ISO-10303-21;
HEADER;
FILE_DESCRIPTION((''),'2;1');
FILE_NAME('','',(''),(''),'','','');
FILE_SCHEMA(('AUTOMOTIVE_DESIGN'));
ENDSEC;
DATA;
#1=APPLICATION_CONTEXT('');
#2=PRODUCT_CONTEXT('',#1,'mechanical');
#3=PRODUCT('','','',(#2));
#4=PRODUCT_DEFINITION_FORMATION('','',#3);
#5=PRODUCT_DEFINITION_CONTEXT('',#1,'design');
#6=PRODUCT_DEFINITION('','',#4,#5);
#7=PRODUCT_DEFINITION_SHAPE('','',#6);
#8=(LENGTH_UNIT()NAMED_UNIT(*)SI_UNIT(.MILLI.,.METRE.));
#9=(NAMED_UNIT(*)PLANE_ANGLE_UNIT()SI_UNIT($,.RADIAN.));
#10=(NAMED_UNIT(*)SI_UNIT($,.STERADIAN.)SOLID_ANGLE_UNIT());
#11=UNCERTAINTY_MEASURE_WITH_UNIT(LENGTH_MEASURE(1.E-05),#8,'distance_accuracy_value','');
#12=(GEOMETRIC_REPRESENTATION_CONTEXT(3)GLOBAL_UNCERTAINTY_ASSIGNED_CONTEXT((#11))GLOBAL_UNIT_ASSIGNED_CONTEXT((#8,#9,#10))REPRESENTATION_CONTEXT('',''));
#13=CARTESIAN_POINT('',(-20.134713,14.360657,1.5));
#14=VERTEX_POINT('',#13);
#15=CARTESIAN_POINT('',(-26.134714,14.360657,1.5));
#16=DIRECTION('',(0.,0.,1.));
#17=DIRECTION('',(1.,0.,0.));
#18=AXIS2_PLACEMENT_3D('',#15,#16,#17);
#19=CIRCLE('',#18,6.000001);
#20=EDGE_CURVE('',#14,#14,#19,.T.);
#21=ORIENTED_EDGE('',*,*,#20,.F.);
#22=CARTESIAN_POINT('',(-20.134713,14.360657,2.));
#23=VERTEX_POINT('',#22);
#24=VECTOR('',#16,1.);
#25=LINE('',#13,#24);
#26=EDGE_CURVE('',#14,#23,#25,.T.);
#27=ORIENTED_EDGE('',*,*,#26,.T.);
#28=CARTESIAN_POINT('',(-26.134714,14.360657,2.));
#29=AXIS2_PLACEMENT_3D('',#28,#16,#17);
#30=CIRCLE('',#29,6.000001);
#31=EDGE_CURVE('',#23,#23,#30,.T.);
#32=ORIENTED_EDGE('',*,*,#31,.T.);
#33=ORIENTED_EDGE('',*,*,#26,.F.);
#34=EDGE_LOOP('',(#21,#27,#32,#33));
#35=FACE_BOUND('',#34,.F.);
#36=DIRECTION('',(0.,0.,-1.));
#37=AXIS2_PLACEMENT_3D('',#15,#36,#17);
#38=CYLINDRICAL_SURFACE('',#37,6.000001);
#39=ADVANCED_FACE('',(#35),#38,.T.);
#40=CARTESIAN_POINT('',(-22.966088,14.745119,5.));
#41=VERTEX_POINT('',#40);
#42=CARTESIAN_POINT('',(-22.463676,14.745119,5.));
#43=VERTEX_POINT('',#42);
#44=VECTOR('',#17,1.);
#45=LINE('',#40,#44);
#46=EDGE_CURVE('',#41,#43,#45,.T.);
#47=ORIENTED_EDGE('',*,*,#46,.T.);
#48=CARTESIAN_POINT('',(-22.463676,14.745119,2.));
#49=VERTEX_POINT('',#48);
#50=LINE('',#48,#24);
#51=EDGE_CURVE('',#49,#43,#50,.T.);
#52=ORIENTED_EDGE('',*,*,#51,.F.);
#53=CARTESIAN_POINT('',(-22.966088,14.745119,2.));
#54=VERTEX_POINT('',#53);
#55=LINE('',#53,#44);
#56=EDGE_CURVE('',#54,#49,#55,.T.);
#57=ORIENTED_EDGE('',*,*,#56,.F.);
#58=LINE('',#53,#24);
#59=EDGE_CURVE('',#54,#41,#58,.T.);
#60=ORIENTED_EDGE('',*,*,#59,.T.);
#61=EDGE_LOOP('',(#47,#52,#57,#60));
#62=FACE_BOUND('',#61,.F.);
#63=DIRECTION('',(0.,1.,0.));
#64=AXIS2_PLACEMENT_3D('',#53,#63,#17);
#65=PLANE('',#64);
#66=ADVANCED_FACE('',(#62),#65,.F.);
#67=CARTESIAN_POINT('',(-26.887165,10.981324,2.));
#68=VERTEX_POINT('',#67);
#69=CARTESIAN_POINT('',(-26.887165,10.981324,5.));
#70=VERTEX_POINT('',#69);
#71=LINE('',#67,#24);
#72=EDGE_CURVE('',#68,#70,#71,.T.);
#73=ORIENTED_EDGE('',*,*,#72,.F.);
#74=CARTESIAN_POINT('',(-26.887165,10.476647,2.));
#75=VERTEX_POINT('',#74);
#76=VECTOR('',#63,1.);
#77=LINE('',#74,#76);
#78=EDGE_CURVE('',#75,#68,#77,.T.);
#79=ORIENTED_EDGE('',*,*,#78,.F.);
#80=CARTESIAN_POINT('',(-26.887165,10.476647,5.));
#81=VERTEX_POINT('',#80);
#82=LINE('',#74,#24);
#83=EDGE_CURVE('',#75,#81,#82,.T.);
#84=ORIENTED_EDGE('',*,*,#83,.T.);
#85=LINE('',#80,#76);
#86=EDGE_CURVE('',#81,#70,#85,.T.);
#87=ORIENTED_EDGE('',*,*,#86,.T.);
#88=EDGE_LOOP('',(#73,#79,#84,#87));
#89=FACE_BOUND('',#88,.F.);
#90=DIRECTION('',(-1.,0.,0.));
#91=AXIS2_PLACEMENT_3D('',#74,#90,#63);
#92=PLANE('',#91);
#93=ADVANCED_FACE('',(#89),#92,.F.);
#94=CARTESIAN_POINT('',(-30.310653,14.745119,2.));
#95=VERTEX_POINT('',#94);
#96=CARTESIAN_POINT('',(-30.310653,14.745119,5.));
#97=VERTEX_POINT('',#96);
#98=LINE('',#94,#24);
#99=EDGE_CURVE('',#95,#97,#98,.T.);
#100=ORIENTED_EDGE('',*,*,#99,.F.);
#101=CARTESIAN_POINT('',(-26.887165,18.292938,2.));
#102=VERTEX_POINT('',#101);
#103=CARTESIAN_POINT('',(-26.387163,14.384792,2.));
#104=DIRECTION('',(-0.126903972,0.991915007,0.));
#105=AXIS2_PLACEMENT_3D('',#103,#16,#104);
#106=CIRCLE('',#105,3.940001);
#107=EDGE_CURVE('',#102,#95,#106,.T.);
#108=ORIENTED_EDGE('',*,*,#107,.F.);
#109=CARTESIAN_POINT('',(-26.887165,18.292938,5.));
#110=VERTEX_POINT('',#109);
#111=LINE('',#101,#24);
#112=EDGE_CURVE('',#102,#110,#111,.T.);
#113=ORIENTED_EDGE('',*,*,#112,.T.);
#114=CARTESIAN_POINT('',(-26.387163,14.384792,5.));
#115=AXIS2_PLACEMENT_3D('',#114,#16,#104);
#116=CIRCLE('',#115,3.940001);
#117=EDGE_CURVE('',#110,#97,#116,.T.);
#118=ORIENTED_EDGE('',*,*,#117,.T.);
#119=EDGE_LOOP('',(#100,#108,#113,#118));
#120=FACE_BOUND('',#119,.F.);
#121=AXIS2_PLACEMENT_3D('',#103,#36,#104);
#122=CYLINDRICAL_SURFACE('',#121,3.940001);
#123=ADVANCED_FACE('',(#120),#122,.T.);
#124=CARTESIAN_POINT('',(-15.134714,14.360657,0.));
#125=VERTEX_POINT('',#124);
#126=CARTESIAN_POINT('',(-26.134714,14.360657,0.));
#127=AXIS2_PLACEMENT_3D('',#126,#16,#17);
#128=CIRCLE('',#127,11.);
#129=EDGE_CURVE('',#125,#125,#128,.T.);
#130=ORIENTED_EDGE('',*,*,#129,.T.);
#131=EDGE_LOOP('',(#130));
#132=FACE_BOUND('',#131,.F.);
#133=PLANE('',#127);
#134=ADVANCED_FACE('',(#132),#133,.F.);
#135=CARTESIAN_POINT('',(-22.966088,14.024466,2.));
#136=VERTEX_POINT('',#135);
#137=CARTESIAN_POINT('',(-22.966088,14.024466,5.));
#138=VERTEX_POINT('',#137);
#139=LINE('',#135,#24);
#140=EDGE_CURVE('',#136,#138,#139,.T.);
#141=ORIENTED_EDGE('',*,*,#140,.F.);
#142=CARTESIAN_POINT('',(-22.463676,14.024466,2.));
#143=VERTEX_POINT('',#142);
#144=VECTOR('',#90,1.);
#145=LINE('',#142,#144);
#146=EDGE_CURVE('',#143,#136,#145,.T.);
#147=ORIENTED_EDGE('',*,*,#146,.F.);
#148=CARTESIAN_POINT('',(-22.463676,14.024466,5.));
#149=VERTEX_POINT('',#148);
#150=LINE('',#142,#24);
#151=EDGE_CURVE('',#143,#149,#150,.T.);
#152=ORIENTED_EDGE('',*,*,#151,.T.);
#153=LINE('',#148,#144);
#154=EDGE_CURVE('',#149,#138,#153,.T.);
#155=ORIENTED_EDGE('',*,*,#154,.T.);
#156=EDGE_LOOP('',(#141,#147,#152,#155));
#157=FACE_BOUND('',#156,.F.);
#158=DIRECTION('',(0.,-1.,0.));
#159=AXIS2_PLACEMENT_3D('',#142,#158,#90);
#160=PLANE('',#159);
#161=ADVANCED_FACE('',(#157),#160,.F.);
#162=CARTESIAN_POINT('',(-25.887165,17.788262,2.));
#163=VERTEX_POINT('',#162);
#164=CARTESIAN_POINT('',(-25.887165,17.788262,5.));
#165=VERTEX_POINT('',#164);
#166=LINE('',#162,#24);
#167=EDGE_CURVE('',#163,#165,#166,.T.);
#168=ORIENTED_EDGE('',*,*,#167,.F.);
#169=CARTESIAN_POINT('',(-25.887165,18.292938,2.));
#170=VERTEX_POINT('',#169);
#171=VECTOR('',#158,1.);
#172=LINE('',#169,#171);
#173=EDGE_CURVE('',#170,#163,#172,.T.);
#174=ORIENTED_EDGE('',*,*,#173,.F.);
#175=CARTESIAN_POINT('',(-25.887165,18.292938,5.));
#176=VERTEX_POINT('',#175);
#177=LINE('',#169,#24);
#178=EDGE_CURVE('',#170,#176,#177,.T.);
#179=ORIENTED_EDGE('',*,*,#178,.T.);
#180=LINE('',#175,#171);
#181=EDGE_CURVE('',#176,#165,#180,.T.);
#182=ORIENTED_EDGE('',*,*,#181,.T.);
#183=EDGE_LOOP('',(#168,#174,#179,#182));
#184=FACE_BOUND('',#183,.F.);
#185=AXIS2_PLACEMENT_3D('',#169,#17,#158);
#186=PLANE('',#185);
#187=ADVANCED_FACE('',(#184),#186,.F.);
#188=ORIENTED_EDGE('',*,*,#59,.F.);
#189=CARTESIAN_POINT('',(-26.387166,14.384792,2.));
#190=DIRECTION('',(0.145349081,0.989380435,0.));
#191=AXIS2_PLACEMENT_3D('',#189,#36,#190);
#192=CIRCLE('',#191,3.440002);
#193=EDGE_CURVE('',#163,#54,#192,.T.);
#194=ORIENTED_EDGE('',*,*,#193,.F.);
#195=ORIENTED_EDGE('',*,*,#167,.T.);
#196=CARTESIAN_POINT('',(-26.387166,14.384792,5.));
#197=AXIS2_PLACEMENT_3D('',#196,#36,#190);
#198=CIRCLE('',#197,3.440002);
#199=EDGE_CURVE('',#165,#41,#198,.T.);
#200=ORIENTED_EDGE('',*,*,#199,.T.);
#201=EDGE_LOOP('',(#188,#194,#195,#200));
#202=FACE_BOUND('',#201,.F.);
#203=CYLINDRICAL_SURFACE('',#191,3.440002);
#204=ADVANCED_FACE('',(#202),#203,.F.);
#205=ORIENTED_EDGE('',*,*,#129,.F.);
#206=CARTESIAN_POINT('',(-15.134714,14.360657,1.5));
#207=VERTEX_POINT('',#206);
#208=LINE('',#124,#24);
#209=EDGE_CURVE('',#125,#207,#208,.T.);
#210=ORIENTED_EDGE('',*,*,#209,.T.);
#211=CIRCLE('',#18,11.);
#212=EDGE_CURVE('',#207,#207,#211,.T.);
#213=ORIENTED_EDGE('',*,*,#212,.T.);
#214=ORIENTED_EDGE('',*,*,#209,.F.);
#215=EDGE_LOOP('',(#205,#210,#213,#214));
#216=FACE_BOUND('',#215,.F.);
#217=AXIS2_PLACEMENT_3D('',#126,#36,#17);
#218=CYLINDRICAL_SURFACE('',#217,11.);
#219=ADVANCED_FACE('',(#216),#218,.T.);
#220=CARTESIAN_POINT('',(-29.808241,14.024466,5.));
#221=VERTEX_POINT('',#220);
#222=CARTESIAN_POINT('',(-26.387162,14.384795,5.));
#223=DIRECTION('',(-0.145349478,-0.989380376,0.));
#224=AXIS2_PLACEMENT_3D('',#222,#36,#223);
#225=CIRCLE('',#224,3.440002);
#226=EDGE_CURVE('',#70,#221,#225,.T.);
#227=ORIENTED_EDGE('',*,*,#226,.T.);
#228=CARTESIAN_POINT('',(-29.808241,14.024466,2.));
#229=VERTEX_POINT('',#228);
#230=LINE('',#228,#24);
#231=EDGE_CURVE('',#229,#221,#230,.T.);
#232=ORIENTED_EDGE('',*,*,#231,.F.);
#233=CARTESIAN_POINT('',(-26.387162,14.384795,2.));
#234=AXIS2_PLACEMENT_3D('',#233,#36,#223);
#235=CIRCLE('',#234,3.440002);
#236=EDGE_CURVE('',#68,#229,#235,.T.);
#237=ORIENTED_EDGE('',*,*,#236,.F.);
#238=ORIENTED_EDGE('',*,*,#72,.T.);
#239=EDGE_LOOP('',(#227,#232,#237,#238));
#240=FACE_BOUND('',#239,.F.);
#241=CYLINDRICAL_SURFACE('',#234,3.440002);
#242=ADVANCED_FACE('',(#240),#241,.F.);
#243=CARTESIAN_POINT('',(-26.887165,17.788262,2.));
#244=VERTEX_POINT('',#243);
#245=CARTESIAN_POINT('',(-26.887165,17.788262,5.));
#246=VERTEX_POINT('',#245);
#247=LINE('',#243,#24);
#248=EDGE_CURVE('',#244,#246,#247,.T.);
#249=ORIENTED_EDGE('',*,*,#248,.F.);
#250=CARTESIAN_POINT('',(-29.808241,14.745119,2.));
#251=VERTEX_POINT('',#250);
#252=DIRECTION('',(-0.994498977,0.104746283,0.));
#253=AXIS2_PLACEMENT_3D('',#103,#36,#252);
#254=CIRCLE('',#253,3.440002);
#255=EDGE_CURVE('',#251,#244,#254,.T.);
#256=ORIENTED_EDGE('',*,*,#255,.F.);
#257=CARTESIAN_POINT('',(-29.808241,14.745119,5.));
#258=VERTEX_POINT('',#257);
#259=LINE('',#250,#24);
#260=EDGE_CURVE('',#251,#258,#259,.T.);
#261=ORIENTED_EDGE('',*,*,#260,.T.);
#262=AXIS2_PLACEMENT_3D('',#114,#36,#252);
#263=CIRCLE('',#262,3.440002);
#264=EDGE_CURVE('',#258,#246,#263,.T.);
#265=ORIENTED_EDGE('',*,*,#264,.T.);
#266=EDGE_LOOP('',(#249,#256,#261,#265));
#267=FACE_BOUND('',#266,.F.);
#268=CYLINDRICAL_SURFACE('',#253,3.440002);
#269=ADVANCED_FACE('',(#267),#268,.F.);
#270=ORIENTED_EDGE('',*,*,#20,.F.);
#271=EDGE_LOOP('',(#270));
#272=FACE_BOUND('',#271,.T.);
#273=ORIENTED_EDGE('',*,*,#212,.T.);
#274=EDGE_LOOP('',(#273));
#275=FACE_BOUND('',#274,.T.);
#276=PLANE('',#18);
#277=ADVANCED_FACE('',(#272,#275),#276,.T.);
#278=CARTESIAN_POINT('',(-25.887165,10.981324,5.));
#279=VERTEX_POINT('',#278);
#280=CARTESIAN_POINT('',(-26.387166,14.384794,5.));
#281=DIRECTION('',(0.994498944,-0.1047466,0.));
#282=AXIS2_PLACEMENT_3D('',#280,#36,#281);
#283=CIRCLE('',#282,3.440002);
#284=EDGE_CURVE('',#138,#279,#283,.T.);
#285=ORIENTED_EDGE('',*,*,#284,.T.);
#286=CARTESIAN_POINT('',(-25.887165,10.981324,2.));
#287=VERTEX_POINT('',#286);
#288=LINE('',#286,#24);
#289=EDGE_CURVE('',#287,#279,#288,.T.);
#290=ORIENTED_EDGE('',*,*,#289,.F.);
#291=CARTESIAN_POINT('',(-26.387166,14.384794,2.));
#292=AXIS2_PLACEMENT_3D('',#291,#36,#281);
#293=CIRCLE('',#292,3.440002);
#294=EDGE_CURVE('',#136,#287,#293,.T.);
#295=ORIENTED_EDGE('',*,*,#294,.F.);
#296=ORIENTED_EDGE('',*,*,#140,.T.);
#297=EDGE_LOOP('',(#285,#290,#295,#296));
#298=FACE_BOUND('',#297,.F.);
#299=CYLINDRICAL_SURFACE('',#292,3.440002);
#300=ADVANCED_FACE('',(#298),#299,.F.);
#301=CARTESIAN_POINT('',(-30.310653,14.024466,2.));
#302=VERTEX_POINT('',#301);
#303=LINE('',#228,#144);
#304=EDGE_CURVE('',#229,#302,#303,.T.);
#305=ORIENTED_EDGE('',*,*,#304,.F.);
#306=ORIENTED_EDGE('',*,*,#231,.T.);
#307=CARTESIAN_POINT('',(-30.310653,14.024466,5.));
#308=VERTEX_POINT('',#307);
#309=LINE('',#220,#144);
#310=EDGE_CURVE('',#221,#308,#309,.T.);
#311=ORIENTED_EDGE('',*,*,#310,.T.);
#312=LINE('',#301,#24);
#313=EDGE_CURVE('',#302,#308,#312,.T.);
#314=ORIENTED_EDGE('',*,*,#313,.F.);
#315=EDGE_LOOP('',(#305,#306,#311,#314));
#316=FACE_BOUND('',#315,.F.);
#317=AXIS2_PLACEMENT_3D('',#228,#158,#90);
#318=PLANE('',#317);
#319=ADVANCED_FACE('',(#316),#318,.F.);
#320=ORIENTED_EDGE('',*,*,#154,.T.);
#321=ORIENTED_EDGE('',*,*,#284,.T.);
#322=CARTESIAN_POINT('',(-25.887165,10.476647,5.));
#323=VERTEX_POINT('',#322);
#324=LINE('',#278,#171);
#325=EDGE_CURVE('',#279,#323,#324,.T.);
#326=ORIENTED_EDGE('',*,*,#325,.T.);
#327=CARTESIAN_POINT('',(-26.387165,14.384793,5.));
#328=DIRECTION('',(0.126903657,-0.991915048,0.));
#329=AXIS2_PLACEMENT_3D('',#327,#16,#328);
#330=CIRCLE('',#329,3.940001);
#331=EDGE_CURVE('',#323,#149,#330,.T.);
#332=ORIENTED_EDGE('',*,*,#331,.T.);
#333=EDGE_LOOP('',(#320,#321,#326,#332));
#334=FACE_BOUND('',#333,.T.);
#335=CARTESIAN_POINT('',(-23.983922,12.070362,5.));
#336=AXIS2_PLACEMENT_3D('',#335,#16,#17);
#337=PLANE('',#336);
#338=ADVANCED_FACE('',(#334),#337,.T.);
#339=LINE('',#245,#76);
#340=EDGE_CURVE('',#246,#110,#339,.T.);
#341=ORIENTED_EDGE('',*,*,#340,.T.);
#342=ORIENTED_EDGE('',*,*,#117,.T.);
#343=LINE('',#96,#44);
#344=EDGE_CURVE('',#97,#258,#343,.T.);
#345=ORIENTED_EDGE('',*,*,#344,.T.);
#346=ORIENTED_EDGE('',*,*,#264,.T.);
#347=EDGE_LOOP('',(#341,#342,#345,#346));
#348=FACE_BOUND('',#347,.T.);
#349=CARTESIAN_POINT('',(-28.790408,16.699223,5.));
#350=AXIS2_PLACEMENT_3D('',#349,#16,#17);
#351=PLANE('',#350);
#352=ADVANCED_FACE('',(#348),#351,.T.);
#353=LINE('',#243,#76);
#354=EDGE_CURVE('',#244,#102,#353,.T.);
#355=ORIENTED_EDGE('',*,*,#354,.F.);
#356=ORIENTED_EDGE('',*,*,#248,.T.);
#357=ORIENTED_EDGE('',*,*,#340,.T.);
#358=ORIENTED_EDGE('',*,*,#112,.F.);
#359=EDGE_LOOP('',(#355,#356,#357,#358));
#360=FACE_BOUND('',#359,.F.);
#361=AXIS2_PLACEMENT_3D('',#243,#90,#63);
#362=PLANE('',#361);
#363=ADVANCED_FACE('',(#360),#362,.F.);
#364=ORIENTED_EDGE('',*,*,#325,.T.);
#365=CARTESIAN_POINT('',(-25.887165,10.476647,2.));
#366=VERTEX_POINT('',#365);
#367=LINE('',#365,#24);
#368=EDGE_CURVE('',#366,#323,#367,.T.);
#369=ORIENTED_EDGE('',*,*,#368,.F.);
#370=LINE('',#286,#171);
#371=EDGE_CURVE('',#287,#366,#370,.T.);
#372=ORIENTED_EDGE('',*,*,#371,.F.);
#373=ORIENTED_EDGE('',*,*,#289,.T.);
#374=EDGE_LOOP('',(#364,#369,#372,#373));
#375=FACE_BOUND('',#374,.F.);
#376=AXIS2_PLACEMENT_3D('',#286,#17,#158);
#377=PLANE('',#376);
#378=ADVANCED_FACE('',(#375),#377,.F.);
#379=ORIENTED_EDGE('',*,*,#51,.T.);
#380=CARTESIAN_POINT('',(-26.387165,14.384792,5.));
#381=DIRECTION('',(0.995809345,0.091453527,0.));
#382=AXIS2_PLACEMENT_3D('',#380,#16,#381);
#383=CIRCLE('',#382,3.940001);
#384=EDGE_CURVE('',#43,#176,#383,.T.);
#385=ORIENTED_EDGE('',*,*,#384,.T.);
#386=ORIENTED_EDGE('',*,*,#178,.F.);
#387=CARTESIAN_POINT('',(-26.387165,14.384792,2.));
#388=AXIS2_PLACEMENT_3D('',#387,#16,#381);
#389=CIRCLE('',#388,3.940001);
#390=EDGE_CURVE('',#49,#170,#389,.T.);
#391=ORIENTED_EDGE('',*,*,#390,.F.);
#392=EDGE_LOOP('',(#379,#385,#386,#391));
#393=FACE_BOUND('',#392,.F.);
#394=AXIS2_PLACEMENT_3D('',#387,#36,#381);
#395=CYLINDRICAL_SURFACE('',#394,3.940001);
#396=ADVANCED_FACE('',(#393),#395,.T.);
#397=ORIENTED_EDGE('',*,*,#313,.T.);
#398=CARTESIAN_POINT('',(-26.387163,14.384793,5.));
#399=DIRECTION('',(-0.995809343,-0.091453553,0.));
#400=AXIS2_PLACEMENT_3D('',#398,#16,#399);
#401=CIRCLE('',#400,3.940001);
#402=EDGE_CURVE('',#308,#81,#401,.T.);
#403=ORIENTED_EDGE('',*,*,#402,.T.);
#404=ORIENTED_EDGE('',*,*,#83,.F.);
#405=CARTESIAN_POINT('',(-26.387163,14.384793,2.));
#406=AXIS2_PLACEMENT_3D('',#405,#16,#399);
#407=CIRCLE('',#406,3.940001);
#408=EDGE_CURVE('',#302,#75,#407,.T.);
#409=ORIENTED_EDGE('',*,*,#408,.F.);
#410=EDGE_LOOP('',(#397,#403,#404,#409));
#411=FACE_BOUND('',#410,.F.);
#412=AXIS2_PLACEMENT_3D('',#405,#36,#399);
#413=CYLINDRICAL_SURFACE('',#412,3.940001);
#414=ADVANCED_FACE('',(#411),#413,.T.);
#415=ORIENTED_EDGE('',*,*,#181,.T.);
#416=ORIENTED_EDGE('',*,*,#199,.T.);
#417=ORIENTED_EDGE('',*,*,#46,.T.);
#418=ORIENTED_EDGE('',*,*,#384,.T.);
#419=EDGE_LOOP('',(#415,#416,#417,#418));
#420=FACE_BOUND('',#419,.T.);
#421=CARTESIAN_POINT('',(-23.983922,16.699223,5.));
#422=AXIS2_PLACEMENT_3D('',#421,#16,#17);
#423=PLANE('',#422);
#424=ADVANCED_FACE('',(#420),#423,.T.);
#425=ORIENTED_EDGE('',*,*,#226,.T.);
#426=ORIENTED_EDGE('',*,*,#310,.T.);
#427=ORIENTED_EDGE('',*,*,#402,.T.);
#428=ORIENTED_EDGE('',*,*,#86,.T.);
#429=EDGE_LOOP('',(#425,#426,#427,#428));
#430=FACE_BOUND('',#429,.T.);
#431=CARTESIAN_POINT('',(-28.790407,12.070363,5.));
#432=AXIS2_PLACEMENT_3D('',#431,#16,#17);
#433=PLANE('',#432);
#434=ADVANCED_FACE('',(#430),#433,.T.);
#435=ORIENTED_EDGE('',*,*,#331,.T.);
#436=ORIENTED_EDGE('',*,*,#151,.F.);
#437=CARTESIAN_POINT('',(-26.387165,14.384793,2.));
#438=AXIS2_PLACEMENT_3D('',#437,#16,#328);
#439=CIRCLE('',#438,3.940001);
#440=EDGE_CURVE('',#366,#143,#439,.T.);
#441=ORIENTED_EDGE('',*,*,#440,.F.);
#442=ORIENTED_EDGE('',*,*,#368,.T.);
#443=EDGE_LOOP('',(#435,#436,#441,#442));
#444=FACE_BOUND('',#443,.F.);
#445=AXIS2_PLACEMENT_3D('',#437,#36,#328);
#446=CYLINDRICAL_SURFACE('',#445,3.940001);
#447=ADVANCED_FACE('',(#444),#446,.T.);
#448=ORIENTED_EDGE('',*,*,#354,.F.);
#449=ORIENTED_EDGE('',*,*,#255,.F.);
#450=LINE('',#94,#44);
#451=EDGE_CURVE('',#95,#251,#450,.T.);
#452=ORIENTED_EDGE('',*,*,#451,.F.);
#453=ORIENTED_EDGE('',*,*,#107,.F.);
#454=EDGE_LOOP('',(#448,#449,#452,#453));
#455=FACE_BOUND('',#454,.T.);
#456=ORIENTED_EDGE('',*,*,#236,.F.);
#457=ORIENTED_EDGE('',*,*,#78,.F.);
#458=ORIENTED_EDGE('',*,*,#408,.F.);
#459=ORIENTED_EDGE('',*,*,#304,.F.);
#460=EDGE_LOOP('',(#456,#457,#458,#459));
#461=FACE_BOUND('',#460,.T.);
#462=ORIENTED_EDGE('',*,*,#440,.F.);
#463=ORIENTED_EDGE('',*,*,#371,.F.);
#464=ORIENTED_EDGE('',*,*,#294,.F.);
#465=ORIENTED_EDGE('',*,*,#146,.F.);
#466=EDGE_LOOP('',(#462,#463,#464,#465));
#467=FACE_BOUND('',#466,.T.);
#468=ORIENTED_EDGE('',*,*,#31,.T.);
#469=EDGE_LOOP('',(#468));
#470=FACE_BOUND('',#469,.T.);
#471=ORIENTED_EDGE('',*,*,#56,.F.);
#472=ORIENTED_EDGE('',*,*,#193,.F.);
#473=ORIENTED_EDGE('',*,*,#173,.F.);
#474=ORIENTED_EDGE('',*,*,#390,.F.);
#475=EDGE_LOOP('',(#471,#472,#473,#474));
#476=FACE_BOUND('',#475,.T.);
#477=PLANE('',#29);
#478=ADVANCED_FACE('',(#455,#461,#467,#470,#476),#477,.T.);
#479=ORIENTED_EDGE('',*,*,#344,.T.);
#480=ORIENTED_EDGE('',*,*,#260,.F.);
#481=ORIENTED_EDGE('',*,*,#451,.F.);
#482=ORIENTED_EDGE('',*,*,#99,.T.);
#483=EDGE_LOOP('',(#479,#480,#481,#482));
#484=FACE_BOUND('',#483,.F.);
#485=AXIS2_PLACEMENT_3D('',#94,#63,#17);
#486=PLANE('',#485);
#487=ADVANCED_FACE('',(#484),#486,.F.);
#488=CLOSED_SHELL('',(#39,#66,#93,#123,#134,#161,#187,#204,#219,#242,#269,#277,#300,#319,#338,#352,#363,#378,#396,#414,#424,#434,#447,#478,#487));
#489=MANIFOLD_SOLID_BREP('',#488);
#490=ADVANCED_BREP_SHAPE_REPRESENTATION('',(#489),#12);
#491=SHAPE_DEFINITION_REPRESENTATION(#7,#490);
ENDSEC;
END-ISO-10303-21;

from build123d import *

# Parameters (mm, degrees)
F1_R     = 11
F2_DEPTH = 1.5
F4_R     = 6.000001
F5_DEPTH = 0.5
F7_DEPTH = 3


with BuildPart() as f2:
    # F1 (on Top) → F2 (new body)
    with BuildSketch(Plane.XY):
        with Locations((-26.134714, 14.360657)):
            Circle(F1_R)
    extrude(amount=F2_DEPTH)

    # F4 (on face) → F5 (join)
    with BuildSketch(Plane.XY.offset(1.5)):
        with Locations((-26.134714, 14.360657)):
            Circle(F4_R)
    extrude(amount=F5_DEPTH)

    # F6 (on face) → F7 (join)
    with BuildSketch(Plane.XY.offset(2)):
        with BuildLine():
            Line((-25.887165, 10.981324), (-25.887165, 10.476647))
            ThreePointArc((-25.887165, 10.476647), (-23.551928, 11.648914), (-22.463676, 14.024466))
            Line((-22.463676, 14.024466), (-22.966088, 14.024466))
            ThreePointArc((-22.966088, 14.024466), (-23.905454, 12.002628), (-25.887165, 10.981324))
        make_face()
        with BuildLine():
            ThreePointArc((-26.887165, 10.981324), (-28.868875, 12.002628), (-29.808241, 14.024466))
            Line((-29.808241, 14.024466), (-30.310653, 14.024466))
            ThreePointArc((-30.310653, 14.024466), (-29.222401, 11.648914), (-26.887165, 10.476647))
            Line((-26.887165, 10.476647), (-26.887165, 10.981324))
        make_face()
        with BuildLine():
            ThreePointArc((-29.808241, 14.745119), (-28.868875, 16.766958), (-26.887165, 17.788262))
            Line((-26.887165, 17.788262), (-26.887165, 18.292938))
            ThreePointArc((-26.887165, 18.292938), (-29.222401, 17.120671), (-30.310653, 14.745119))
            Line((-30.310653, 14.745119), (-29.808241, 14.745119))
        make_face()
        with BuildLine():
            Line((-22.966088, 14.745119), (-22.463676, 14.745119))
            ThreePointArc((-22.463676, 14.745119), (-23.551928, 17.120671), (-25.887165, 18.292938))
            Line((-25.887165, 18.292938), (-25.887165, 17.788262))
            ThreePointArc((-25.887165, 17.788262), (-23.905454, 16.766958), (-22.966088, 14.745119))
        make_face()
    extrude(amount=F7_DEPTH)


solid = f2.part
